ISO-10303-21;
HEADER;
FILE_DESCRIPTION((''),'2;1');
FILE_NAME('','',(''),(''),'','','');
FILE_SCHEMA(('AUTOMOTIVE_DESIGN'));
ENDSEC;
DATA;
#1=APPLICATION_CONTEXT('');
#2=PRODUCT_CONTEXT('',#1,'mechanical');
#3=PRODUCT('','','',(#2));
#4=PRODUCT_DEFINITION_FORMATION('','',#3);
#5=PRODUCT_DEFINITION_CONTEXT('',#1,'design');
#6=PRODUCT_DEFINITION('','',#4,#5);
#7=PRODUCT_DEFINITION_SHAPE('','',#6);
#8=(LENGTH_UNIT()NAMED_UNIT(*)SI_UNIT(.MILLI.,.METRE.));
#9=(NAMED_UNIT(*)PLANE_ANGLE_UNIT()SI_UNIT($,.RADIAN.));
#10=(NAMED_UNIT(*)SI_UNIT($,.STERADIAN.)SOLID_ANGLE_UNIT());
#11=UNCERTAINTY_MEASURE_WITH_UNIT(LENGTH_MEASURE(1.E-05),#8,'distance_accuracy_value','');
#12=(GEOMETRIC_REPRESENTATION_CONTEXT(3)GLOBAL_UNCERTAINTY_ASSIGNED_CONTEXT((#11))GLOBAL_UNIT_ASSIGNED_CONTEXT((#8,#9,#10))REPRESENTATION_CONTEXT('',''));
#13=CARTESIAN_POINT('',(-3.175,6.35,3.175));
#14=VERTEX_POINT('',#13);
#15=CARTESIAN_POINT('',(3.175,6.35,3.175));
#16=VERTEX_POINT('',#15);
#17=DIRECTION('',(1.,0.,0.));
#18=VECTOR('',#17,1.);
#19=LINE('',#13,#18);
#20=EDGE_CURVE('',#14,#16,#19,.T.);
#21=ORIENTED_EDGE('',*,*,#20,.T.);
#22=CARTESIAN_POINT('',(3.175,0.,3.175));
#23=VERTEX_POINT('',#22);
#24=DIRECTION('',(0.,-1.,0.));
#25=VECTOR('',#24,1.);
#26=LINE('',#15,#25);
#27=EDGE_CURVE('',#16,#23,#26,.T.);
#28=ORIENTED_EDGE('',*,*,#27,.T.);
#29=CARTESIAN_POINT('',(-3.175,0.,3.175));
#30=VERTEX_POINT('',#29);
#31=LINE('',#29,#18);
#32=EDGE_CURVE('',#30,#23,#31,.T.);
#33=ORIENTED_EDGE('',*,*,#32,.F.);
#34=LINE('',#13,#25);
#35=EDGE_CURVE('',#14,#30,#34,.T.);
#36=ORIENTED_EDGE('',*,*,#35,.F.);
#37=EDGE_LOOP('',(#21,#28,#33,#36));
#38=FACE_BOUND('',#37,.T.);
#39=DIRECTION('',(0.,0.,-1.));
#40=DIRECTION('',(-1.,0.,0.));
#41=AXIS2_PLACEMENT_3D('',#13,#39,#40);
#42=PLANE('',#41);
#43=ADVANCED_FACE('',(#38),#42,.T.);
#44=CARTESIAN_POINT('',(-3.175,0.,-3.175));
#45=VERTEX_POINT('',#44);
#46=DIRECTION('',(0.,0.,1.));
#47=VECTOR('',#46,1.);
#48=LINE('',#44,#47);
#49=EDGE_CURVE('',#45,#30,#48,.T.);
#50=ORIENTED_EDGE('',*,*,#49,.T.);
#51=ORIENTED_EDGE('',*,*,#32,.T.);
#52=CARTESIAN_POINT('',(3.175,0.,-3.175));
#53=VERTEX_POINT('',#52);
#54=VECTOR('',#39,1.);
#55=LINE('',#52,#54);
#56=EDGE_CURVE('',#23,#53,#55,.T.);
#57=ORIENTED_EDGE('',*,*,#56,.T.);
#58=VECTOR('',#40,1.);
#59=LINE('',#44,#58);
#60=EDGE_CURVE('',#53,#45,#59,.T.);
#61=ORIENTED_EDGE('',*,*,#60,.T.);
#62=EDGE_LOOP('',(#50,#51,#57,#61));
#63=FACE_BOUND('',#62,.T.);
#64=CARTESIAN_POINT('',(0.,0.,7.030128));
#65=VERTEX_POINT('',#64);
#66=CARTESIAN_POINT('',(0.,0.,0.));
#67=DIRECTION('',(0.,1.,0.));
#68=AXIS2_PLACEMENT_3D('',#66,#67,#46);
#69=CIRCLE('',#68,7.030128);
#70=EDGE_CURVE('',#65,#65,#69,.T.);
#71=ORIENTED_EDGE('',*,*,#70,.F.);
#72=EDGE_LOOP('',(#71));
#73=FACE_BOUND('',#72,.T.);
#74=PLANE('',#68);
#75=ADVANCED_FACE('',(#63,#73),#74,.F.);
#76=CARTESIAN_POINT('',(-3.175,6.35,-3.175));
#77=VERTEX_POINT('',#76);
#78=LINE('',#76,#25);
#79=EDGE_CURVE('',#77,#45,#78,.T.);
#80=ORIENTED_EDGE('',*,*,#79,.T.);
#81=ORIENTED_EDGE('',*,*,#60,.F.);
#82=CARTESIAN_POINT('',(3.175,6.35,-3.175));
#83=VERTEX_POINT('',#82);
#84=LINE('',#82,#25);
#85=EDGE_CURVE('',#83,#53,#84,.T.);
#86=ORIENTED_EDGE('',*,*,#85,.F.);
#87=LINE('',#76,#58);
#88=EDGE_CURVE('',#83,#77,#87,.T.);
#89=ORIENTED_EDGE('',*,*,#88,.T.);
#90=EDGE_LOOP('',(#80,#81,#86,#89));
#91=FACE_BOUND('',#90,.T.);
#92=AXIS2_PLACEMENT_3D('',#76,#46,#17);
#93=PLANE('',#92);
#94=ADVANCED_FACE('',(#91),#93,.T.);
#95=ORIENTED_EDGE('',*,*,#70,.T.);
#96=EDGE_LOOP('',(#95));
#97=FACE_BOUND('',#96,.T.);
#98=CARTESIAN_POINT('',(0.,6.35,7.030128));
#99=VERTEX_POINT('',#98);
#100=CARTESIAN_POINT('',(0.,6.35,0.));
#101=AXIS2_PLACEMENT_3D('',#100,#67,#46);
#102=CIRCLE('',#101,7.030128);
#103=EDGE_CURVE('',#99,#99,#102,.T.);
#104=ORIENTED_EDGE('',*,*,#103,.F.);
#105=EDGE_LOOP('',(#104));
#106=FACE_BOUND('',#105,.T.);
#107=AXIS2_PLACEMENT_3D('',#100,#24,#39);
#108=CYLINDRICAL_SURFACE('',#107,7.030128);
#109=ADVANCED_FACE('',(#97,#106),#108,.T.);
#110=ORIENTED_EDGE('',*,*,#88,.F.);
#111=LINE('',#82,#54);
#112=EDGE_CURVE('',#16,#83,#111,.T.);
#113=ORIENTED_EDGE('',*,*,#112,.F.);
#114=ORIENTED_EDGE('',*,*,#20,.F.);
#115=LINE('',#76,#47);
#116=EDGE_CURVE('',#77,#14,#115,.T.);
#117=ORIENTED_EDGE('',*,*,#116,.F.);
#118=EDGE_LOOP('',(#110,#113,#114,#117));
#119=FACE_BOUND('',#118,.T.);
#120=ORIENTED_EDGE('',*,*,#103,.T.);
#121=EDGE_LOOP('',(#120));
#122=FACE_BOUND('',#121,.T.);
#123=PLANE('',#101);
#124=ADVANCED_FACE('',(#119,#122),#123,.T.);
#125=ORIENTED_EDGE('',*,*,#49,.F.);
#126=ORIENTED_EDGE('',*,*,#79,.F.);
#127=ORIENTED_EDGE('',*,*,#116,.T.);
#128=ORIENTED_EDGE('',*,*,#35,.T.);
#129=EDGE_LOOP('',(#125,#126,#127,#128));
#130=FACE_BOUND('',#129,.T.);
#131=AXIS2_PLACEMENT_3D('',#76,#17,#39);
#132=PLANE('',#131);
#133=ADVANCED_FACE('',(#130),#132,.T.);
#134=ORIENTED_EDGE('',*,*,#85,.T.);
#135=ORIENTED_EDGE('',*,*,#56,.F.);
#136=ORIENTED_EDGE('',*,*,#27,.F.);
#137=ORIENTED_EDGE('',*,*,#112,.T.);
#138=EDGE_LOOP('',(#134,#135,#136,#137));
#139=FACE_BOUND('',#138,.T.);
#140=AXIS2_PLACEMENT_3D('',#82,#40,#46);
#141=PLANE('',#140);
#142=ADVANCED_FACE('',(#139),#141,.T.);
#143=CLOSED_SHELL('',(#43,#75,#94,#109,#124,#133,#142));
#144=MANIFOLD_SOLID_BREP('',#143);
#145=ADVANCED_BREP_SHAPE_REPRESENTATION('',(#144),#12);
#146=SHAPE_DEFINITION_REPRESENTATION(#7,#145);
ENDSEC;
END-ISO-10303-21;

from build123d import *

# Parameters (mm, degrees)
ELEVATOR_AXLE_BEARING_R = 7.030128061
ELEVATOR_AXLE_BEARING_W = 6.35
ELEVATOR_AXLE_BEARING_H = 6.35
BOSS_EXTRUDE1_DEPTH     = 6.35


with BuildPart() as part:
    # Elevator Axle Bearing → Boss-Extrude1 (new body)
    with BuildSketch(Plane(origin=(0, 0, 0), x_dir=(1, 0, 0), z_dir=(0, 1, 0))):
        with Locations(Location((0, 0, 0), (0, 0, 270))):
            Circle(ELEVATOR_AXLE_BEARING_R)
        Rectangle(ELEVATOR_AXLE_BEARING_W, ELEVATOR_AXLE_BEARING_H, mode=Mode.SUBTRACT)
    extrude(amount=BOSS_EXTRUDE1_DEPTH)


solid = part.part
